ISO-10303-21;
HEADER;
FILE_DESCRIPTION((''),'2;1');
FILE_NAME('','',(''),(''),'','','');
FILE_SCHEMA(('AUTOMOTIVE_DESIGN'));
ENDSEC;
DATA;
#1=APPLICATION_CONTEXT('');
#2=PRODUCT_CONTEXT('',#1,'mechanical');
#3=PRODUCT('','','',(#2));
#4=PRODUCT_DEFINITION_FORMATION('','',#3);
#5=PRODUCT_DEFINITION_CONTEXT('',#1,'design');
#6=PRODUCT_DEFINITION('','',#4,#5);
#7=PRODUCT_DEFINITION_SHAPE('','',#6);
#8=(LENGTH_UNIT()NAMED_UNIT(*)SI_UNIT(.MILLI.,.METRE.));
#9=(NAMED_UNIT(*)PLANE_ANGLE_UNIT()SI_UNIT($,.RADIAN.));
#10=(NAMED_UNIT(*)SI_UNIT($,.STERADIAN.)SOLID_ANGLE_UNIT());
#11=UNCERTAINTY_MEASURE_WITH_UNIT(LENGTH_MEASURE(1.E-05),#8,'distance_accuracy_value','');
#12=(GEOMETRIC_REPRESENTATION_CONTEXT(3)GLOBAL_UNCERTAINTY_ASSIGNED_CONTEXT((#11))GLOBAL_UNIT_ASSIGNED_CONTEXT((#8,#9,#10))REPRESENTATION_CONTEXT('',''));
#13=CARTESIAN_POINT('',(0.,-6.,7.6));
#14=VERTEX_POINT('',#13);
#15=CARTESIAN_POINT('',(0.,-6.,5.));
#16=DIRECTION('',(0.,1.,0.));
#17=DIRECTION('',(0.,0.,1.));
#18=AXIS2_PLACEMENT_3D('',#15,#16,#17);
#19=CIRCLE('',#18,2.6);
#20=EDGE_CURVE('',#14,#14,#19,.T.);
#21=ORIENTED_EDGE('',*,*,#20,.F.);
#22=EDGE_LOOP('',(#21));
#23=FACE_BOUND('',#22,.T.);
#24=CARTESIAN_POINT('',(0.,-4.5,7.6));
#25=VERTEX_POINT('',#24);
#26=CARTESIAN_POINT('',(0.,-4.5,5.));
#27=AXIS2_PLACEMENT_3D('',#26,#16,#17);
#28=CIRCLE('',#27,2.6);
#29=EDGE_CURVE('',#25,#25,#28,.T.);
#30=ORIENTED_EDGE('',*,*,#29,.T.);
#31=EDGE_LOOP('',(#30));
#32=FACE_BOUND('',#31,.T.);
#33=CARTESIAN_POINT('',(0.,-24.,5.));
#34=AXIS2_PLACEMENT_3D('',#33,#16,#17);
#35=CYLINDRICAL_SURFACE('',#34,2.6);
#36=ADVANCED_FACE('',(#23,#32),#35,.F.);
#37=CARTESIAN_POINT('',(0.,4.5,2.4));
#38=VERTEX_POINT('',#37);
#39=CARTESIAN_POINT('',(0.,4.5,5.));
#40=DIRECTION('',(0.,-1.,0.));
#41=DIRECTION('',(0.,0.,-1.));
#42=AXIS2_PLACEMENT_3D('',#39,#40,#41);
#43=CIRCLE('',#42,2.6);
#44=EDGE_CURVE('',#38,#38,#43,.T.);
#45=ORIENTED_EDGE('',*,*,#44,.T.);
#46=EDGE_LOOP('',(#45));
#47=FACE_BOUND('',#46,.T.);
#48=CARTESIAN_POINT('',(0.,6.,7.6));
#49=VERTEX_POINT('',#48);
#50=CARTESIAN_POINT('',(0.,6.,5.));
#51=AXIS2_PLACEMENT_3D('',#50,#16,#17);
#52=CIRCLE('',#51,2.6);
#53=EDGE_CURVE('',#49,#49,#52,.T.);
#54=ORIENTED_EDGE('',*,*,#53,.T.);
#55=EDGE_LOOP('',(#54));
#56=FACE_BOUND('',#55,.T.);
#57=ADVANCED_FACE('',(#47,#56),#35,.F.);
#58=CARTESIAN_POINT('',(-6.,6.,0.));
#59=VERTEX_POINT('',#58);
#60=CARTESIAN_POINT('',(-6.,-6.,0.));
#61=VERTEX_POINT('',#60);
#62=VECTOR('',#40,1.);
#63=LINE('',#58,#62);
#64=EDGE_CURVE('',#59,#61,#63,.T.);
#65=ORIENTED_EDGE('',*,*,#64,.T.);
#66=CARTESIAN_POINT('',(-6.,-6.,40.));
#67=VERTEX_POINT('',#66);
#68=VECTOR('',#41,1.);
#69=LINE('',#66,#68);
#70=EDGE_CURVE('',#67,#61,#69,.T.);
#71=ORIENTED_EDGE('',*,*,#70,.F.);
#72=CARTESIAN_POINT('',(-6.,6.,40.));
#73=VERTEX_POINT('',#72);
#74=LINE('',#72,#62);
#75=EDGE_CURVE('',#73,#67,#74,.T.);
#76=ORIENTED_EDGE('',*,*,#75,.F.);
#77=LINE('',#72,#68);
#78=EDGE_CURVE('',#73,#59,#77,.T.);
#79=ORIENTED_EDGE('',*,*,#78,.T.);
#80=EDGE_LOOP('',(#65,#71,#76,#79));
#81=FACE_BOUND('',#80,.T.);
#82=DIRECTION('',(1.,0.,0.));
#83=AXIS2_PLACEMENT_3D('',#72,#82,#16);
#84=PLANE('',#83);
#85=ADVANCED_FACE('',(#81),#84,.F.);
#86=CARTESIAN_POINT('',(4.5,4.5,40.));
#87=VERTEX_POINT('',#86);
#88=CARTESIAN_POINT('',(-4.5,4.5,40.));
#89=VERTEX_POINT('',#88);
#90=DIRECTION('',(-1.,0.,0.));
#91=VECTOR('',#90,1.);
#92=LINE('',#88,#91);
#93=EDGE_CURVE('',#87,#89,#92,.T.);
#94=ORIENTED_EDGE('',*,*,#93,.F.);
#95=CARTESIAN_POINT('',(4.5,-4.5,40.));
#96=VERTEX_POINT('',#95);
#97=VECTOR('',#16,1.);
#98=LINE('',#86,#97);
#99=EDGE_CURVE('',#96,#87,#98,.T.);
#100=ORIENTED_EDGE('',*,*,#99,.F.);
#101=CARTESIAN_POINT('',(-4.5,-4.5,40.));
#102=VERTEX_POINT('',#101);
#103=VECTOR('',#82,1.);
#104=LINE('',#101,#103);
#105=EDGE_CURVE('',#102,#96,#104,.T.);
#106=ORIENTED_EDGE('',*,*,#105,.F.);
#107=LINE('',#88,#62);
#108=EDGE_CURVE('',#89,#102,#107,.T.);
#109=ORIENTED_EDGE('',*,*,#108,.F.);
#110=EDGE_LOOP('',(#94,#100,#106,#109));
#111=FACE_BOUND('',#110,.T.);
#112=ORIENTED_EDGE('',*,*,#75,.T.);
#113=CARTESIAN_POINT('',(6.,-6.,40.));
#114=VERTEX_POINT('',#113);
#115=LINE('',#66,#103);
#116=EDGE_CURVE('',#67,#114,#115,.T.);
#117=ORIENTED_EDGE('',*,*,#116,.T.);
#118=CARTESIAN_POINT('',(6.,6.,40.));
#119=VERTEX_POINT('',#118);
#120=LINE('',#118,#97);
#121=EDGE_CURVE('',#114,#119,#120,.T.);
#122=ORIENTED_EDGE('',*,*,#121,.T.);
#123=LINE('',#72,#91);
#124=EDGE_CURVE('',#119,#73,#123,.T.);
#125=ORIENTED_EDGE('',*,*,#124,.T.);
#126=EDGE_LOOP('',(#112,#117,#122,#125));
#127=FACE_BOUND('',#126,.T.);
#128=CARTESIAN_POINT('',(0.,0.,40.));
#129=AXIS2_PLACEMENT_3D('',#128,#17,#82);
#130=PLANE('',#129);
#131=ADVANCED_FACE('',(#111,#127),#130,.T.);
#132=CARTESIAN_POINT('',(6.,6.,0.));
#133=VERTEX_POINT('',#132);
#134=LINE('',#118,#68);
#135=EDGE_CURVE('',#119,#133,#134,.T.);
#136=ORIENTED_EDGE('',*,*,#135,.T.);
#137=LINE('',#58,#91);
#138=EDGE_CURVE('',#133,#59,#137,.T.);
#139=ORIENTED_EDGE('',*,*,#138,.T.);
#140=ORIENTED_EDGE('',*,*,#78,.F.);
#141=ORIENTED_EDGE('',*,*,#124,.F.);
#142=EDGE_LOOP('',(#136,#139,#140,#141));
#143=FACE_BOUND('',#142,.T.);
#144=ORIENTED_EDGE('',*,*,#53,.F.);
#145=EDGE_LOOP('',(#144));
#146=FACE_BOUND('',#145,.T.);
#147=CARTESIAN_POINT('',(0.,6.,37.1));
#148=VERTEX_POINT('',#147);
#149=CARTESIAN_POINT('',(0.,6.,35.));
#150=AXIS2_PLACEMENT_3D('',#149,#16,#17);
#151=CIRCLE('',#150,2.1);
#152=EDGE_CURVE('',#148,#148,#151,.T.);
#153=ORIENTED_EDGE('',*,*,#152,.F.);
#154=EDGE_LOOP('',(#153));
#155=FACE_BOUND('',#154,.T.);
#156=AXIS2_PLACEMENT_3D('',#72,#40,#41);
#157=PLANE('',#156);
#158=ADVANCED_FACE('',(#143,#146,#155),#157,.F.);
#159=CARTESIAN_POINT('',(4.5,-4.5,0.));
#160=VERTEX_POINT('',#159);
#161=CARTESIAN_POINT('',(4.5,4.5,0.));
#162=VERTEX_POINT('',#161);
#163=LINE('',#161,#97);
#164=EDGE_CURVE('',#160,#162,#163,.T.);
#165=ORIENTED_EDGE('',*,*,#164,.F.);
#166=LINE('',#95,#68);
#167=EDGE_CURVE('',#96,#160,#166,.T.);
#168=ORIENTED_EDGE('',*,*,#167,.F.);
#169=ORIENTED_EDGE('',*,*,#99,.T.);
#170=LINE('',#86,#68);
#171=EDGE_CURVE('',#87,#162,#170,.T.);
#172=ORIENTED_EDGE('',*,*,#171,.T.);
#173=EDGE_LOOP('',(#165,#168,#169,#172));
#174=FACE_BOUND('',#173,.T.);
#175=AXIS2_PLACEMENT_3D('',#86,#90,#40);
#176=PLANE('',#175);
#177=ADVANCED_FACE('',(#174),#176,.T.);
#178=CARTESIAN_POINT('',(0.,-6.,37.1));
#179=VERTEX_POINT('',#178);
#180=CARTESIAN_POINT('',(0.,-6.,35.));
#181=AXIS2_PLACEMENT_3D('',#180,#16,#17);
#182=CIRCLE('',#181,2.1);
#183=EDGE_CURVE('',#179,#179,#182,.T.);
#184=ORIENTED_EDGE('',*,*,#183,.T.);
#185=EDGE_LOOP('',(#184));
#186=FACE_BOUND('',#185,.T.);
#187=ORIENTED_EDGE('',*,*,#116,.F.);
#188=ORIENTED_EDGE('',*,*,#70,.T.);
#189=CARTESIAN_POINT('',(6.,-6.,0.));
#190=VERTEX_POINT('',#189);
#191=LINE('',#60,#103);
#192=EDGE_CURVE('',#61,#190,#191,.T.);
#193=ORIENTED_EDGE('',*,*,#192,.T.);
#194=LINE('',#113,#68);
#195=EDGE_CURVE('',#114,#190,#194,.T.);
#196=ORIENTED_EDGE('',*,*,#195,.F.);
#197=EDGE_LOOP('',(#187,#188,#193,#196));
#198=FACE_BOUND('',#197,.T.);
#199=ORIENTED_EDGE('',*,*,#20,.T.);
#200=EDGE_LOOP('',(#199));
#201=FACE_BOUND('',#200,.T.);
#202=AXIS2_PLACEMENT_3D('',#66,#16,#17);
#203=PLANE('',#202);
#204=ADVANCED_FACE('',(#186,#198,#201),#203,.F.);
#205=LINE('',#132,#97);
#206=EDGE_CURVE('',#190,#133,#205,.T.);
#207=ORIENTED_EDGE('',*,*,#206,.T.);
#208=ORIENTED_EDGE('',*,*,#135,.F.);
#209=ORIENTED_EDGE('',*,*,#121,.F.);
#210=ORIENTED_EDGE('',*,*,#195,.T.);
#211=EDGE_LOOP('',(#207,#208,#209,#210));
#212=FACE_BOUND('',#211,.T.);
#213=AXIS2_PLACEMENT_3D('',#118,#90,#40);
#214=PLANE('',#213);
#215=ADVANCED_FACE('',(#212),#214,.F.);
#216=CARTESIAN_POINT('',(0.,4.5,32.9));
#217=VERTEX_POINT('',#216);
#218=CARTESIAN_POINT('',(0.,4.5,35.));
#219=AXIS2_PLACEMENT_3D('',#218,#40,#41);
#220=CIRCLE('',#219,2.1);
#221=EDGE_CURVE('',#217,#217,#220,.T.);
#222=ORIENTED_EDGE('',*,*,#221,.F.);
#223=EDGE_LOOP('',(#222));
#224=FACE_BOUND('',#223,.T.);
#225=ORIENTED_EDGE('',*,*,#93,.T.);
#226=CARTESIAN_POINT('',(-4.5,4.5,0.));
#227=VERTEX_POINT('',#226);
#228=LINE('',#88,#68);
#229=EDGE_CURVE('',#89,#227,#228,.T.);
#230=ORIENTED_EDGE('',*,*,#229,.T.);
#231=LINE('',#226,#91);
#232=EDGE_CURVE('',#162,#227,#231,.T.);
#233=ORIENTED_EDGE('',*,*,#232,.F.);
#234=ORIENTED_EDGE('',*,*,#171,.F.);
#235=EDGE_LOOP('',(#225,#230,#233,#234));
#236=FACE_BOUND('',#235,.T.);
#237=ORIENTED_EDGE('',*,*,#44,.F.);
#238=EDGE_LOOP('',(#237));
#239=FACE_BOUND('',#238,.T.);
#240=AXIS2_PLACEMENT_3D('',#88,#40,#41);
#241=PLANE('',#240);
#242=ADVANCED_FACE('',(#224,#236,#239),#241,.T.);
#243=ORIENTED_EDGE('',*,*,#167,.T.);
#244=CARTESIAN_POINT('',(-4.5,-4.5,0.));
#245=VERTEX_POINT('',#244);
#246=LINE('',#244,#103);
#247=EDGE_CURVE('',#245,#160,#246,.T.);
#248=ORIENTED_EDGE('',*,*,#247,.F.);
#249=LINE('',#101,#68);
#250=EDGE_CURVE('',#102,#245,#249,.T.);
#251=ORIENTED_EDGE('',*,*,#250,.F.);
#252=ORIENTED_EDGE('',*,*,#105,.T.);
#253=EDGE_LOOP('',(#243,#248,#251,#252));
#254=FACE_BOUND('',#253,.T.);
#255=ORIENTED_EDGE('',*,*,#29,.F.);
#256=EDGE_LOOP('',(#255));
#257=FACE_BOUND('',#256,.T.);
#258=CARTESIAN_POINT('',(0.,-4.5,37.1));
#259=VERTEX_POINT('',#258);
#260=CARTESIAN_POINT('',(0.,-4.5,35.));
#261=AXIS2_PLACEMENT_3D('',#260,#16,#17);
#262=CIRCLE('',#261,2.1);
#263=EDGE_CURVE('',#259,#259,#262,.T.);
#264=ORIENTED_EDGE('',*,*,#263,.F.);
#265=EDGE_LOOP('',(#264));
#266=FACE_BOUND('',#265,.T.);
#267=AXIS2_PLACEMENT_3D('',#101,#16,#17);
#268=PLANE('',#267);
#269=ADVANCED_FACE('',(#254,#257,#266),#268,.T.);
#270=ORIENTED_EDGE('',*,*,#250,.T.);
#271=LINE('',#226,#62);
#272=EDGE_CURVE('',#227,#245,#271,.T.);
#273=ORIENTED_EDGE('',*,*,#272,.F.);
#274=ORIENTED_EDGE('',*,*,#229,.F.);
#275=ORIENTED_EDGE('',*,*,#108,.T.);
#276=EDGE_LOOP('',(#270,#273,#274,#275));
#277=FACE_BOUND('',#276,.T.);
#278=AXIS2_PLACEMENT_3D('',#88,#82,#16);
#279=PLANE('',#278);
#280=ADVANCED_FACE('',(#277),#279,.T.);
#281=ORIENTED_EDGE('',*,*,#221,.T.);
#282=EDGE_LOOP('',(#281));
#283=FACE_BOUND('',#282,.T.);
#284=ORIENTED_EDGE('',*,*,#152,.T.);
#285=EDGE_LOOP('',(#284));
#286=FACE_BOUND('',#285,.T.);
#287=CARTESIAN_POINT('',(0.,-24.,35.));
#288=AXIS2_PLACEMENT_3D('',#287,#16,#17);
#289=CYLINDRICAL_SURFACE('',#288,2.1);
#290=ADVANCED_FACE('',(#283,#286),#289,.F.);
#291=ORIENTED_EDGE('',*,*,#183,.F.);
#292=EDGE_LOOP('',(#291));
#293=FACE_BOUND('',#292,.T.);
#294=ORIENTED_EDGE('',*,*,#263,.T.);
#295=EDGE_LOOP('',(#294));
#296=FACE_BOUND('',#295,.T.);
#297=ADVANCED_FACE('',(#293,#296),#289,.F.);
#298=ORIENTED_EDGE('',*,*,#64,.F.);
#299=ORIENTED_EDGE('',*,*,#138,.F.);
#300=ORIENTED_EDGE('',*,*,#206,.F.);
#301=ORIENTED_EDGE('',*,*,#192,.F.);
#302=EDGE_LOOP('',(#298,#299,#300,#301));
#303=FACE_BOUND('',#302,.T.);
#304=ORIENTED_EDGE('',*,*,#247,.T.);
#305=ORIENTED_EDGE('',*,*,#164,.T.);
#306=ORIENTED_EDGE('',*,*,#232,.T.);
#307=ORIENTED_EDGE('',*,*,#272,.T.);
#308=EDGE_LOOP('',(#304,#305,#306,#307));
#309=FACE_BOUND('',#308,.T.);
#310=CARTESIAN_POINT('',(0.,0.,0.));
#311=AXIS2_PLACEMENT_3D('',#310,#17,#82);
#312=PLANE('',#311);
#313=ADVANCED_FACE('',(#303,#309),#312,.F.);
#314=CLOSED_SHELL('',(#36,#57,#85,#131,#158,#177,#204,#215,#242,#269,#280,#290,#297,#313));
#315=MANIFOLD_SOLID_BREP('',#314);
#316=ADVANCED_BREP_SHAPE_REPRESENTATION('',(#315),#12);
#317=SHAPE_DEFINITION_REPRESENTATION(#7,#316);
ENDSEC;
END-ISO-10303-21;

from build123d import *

# Parameters (mm, degrees)
SKETCH_1_W          = 12
SKETCH_1_H          = 12
SKETCH_1_W_2        = 9
SKETCH_1_H_2        = 9
EXTRUDE_1_DEPTH     = 40
SKETCH_2_R          = 2.6
SKETCH_2_R_2        = 2.1
CUT_EXTRUDE_1_DEPTH = 30


with BuildPart() as part:
    # ｽｹｯﾁ1 → ﾎﾞｽ - 押し出し1 (new body)
    with BuildSketch(Plane.XY):
        Rectangle(SKETCH_1_W, SKETCH_1_H)
        Rectangle(SKETCH_1_W_2, SKETCH_1_H_2, mode=Mode.SUBTRACT)
    extrude(amount=EXTRUDE_1_DEPTH)

    # ｽｹｯﾁ2 → ｶｯﾄ - 押し出し1 (cut)
    with BuildSketch(Plane(origin=(0, 6, 0), x_dir=(1, 0, 0), z_dir=(0, 1, 0))):
        with Locations((0, -5)):
            Circle(SKETCH_2_R)
        with Locations((0, -35)):
            Circle(SKETCH_2_R_2)
    extrude(amount=-CUT_EXTRUDE_1_DEPTH, mode=Mode.SUBTRACT)


solid = part.part
